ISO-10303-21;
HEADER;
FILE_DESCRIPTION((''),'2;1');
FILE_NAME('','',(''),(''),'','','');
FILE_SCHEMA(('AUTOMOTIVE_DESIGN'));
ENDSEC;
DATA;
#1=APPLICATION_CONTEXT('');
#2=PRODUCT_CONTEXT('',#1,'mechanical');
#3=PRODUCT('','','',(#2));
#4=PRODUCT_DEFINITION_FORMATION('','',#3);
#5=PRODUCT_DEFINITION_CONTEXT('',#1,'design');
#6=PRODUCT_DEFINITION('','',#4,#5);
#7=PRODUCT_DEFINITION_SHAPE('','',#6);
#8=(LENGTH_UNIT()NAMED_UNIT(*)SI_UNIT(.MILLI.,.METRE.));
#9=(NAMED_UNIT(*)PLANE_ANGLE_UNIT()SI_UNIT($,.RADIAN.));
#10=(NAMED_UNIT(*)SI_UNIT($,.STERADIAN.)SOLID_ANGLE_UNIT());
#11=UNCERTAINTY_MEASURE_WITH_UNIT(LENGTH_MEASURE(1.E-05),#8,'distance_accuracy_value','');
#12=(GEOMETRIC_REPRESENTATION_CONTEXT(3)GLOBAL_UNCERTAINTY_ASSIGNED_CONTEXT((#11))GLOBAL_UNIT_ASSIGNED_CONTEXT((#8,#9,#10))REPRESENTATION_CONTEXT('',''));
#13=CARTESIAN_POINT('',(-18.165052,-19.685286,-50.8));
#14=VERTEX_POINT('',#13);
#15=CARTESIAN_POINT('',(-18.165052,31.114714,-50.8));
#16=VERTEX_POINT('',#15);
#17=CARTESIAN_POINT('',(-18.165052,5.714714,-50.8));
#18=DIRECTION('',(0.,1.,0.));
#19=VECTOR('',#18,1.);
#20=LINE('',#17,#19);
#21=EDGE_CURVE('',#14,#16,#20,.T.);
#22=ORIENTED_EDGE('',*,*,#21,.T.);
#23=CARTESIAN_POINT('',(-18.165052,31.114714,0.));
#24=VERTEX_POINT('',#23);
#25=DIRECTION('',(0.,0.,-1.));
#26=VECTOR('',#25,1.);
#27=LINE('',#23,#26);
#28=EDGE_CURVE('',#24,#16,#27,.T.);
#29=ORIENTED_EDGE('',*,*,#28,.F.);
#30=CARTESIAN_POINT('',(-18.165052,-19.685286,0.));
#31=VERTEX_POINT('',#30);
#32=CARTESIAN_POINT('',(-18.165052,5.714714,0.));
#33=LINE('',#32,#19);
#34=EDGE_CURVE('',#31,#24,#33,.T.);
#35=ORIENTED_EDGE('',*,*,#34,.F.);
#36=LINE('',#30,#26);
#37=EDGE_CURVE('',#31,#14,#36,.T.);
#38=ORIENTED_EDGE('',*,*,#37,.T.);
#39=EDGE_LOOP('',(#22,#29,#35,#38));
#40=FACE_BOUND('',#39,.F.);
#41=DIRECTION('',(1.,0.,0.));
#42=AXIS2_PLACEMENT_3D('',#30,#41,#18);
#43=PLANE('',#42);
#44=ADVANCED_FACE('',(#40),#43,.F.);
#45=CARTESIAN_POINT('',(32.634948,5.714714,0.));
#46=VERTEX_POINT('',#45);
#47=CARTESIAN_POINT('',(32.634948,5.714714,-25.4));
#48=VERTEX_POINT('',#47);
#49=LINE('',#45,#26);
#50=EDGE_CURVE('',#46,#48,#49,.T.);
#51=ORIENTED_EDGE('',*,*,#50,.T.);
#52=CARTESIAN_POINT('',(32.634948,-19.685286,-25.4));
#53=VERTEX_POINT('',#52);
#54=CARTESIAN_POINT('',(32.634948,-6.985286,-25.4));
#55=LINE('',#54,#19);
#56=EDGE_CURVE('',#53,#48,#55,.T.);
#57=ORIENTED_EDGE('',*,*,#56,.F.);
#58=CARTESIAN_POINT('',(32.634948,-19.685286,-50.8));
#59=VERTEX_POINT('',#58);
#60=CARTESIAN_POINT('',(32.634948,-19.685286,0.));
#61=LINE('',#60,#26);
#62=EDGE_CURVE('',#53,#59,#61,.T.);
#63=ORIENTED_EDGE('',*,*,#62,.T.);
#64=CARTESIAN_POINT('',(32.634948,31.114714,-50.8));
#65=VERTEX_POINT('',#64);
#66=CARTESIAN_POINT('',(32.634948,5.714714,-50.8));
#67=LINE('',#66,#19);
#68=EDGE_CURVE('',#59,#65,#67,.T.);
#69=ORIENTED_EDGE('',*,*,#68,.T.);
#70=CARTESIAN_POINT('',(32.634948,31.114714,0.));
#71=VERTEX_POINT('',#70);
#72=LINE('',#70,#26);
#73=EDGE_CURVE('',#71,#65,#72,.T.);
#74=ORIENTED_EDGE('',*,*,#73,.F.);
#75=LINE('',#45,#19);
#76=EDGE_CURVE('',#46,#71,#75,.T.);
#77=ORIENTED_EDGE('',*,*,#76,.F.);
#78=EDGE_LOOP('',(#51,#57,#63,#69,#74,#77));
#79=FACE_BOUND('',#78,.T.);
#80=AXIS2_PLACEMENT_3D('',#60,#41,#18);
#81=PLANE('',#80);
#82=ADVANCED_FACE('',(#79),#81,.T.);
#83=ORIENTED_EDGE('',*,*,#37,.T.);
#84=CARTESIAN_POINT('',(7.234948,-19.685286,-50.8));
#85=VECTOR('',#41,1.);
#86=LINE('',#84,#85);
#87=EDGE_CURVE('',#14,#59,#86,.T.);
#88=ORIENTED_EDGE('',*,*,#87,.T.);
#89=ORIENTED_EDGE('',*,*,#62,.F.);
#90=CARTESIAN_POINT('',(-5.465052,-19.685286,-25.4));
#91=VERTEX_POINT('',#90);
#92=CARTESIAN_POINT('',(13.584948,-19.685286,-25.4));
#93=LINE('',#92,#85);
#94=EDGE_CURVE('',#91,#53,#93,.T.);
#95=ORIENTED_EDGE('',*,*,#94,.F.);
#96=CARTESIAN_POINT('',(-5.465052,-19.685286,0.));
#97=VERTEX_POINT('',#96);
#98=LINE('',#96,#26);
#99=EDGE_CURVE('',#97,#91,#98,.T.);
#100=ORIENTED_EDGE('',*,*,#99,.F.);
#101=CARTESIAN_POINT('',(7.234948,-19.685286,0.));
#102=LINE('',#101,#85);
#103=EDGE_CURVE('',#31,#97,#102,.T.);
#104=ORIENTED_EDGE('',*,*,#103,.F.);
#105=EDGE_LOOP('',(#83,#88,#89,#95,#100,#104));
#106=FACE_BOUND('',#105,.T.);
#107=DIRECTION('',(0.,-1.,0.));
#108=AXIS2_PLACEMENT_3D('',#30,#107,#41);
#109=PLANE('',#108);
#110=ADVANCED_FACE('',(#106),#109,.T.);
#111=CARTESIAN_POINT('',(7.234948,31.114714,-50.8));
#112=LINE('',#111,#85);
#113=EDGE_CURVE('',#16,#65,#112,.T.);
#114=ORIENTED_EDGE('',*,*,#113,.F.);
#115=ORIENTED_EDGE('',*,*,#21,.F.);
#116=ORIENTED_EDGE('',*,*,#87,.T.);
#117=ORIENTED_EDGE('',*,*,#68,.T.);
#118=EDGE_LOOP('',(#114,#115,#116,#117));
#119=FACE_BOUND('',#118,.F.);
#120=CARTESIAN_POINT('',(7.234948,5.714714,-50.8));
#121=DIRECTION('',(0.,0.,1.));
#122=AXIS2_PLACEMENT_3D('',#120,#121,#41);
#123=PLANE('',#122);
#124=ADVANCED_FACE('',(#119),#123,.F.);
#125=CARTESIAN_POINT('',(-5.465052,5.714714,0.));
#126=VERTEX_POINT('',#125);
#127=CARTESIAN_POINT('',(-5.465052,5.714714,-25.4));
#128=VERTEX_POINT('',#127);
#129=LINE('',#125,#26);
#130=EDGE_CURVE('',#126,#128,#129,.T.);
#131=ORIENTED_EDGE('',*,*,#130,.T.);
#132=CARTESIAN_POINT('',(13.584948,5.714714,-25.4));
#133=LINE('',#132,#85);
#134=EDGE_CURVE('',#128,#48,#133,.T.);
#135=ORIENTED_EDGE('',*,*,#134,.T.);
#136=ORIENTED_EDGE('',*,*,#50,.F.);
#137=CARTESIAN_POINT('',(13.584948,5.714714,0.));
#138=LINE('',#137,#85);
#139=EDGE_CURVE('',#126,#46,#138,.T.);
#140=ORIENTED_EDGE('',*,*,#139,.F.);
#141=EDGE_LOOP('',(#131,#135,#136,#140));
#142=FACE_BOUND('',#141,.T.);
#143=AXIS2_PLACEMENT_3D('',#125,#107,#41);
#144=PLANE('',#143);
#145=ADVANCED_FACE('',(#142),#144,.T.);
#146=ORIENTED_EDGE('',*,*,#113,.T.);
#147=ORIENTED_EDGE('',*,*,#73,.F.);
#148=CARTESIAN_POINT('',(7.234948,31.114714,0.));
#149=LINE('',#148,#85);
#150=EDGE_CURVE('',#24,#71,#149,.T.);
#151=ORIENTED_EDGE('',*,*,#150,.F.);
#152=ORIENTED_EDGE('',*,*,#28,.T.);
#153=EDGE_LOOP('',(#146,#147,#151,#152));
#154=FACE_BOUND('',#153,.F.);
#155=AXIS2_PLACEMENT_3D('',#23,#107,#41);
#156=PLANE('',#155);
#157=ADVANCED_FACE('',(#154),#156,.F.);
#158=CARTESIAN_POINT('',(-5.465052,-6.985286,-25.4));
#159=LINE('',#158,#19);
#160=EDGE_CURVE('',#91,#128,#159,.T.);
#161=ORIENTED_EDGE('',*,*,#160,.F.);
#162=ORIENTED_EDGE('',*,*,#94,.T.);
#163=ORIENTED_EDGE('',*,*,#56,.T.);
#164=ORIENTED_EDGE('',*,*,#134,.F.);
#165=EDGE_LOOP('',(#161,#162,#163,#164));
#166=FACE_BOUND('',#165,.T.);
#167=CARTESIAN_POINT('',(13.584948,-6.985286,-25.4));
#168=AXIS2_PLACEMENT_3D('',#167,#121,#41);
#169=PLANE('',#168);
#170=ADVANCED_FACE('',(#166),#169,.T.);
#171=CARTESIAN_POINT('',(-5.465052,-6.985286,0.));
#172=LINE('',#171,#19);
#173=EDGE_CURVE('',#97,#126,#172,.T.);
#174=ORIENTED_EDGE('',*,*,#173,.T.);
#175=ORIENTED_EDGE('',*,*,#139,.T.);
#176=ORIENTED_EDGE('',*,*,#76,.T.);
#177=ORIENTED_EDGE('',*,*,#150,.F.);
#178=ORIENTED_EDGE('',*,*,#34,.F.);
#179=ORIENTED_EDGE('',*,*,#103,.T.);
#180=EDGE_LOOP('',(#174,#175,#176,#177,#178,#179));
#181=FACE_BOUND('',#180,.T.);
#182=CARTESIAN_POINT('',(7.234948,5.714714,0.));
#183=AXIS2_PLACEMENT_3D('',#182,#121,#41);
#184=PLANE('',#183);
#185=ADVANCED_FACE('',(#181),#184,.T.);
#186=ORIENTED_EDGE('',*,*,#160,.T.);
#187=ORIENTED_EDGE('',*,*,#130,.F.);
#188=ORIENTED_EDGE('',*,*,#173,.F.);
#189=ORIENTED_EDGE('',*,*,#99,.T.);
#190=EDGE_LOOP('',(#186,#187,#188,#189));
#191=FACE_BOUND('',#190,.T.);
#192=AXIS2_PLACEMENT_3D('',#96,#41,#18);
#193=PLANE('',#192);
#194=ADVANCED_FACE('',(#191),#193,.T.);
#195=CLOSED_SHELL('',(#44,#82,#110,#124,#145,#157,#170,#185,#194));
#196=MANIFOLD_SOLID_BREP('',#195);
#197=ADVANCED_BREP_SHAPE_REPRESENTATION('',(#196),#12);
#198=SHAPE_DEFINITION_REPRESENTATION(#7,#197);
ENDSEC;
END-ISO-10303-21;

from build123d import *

# Parameters (mm, degrees)
F0_W     = 50.8
F0_H     = 50.8
F1_DEPTH = 50.8
F2_W     = 38.1
F2_H     = 25.4
F3_DEPTH = 25.4


with BuildPart() as f1:
    # F0 (on Top) → F1 (new body)
    with BuildSketch(Plane.XY):
        with Locations((7.234948, 5.714714)):
            Rectangle(F0_W, F0_H)
    extrude(amount=-F1_DEPTH)

    # F2 (on face) → F3 (cut)
    with BuildSketch(Plane.XY):
        with Locations((13.584948, -6.985286)):
            Rectangle(F2_W, F2_H)
    extrude(amount=-F3_DEPTH, mode=Mode.SUBTRACT)


solid = f1.part
